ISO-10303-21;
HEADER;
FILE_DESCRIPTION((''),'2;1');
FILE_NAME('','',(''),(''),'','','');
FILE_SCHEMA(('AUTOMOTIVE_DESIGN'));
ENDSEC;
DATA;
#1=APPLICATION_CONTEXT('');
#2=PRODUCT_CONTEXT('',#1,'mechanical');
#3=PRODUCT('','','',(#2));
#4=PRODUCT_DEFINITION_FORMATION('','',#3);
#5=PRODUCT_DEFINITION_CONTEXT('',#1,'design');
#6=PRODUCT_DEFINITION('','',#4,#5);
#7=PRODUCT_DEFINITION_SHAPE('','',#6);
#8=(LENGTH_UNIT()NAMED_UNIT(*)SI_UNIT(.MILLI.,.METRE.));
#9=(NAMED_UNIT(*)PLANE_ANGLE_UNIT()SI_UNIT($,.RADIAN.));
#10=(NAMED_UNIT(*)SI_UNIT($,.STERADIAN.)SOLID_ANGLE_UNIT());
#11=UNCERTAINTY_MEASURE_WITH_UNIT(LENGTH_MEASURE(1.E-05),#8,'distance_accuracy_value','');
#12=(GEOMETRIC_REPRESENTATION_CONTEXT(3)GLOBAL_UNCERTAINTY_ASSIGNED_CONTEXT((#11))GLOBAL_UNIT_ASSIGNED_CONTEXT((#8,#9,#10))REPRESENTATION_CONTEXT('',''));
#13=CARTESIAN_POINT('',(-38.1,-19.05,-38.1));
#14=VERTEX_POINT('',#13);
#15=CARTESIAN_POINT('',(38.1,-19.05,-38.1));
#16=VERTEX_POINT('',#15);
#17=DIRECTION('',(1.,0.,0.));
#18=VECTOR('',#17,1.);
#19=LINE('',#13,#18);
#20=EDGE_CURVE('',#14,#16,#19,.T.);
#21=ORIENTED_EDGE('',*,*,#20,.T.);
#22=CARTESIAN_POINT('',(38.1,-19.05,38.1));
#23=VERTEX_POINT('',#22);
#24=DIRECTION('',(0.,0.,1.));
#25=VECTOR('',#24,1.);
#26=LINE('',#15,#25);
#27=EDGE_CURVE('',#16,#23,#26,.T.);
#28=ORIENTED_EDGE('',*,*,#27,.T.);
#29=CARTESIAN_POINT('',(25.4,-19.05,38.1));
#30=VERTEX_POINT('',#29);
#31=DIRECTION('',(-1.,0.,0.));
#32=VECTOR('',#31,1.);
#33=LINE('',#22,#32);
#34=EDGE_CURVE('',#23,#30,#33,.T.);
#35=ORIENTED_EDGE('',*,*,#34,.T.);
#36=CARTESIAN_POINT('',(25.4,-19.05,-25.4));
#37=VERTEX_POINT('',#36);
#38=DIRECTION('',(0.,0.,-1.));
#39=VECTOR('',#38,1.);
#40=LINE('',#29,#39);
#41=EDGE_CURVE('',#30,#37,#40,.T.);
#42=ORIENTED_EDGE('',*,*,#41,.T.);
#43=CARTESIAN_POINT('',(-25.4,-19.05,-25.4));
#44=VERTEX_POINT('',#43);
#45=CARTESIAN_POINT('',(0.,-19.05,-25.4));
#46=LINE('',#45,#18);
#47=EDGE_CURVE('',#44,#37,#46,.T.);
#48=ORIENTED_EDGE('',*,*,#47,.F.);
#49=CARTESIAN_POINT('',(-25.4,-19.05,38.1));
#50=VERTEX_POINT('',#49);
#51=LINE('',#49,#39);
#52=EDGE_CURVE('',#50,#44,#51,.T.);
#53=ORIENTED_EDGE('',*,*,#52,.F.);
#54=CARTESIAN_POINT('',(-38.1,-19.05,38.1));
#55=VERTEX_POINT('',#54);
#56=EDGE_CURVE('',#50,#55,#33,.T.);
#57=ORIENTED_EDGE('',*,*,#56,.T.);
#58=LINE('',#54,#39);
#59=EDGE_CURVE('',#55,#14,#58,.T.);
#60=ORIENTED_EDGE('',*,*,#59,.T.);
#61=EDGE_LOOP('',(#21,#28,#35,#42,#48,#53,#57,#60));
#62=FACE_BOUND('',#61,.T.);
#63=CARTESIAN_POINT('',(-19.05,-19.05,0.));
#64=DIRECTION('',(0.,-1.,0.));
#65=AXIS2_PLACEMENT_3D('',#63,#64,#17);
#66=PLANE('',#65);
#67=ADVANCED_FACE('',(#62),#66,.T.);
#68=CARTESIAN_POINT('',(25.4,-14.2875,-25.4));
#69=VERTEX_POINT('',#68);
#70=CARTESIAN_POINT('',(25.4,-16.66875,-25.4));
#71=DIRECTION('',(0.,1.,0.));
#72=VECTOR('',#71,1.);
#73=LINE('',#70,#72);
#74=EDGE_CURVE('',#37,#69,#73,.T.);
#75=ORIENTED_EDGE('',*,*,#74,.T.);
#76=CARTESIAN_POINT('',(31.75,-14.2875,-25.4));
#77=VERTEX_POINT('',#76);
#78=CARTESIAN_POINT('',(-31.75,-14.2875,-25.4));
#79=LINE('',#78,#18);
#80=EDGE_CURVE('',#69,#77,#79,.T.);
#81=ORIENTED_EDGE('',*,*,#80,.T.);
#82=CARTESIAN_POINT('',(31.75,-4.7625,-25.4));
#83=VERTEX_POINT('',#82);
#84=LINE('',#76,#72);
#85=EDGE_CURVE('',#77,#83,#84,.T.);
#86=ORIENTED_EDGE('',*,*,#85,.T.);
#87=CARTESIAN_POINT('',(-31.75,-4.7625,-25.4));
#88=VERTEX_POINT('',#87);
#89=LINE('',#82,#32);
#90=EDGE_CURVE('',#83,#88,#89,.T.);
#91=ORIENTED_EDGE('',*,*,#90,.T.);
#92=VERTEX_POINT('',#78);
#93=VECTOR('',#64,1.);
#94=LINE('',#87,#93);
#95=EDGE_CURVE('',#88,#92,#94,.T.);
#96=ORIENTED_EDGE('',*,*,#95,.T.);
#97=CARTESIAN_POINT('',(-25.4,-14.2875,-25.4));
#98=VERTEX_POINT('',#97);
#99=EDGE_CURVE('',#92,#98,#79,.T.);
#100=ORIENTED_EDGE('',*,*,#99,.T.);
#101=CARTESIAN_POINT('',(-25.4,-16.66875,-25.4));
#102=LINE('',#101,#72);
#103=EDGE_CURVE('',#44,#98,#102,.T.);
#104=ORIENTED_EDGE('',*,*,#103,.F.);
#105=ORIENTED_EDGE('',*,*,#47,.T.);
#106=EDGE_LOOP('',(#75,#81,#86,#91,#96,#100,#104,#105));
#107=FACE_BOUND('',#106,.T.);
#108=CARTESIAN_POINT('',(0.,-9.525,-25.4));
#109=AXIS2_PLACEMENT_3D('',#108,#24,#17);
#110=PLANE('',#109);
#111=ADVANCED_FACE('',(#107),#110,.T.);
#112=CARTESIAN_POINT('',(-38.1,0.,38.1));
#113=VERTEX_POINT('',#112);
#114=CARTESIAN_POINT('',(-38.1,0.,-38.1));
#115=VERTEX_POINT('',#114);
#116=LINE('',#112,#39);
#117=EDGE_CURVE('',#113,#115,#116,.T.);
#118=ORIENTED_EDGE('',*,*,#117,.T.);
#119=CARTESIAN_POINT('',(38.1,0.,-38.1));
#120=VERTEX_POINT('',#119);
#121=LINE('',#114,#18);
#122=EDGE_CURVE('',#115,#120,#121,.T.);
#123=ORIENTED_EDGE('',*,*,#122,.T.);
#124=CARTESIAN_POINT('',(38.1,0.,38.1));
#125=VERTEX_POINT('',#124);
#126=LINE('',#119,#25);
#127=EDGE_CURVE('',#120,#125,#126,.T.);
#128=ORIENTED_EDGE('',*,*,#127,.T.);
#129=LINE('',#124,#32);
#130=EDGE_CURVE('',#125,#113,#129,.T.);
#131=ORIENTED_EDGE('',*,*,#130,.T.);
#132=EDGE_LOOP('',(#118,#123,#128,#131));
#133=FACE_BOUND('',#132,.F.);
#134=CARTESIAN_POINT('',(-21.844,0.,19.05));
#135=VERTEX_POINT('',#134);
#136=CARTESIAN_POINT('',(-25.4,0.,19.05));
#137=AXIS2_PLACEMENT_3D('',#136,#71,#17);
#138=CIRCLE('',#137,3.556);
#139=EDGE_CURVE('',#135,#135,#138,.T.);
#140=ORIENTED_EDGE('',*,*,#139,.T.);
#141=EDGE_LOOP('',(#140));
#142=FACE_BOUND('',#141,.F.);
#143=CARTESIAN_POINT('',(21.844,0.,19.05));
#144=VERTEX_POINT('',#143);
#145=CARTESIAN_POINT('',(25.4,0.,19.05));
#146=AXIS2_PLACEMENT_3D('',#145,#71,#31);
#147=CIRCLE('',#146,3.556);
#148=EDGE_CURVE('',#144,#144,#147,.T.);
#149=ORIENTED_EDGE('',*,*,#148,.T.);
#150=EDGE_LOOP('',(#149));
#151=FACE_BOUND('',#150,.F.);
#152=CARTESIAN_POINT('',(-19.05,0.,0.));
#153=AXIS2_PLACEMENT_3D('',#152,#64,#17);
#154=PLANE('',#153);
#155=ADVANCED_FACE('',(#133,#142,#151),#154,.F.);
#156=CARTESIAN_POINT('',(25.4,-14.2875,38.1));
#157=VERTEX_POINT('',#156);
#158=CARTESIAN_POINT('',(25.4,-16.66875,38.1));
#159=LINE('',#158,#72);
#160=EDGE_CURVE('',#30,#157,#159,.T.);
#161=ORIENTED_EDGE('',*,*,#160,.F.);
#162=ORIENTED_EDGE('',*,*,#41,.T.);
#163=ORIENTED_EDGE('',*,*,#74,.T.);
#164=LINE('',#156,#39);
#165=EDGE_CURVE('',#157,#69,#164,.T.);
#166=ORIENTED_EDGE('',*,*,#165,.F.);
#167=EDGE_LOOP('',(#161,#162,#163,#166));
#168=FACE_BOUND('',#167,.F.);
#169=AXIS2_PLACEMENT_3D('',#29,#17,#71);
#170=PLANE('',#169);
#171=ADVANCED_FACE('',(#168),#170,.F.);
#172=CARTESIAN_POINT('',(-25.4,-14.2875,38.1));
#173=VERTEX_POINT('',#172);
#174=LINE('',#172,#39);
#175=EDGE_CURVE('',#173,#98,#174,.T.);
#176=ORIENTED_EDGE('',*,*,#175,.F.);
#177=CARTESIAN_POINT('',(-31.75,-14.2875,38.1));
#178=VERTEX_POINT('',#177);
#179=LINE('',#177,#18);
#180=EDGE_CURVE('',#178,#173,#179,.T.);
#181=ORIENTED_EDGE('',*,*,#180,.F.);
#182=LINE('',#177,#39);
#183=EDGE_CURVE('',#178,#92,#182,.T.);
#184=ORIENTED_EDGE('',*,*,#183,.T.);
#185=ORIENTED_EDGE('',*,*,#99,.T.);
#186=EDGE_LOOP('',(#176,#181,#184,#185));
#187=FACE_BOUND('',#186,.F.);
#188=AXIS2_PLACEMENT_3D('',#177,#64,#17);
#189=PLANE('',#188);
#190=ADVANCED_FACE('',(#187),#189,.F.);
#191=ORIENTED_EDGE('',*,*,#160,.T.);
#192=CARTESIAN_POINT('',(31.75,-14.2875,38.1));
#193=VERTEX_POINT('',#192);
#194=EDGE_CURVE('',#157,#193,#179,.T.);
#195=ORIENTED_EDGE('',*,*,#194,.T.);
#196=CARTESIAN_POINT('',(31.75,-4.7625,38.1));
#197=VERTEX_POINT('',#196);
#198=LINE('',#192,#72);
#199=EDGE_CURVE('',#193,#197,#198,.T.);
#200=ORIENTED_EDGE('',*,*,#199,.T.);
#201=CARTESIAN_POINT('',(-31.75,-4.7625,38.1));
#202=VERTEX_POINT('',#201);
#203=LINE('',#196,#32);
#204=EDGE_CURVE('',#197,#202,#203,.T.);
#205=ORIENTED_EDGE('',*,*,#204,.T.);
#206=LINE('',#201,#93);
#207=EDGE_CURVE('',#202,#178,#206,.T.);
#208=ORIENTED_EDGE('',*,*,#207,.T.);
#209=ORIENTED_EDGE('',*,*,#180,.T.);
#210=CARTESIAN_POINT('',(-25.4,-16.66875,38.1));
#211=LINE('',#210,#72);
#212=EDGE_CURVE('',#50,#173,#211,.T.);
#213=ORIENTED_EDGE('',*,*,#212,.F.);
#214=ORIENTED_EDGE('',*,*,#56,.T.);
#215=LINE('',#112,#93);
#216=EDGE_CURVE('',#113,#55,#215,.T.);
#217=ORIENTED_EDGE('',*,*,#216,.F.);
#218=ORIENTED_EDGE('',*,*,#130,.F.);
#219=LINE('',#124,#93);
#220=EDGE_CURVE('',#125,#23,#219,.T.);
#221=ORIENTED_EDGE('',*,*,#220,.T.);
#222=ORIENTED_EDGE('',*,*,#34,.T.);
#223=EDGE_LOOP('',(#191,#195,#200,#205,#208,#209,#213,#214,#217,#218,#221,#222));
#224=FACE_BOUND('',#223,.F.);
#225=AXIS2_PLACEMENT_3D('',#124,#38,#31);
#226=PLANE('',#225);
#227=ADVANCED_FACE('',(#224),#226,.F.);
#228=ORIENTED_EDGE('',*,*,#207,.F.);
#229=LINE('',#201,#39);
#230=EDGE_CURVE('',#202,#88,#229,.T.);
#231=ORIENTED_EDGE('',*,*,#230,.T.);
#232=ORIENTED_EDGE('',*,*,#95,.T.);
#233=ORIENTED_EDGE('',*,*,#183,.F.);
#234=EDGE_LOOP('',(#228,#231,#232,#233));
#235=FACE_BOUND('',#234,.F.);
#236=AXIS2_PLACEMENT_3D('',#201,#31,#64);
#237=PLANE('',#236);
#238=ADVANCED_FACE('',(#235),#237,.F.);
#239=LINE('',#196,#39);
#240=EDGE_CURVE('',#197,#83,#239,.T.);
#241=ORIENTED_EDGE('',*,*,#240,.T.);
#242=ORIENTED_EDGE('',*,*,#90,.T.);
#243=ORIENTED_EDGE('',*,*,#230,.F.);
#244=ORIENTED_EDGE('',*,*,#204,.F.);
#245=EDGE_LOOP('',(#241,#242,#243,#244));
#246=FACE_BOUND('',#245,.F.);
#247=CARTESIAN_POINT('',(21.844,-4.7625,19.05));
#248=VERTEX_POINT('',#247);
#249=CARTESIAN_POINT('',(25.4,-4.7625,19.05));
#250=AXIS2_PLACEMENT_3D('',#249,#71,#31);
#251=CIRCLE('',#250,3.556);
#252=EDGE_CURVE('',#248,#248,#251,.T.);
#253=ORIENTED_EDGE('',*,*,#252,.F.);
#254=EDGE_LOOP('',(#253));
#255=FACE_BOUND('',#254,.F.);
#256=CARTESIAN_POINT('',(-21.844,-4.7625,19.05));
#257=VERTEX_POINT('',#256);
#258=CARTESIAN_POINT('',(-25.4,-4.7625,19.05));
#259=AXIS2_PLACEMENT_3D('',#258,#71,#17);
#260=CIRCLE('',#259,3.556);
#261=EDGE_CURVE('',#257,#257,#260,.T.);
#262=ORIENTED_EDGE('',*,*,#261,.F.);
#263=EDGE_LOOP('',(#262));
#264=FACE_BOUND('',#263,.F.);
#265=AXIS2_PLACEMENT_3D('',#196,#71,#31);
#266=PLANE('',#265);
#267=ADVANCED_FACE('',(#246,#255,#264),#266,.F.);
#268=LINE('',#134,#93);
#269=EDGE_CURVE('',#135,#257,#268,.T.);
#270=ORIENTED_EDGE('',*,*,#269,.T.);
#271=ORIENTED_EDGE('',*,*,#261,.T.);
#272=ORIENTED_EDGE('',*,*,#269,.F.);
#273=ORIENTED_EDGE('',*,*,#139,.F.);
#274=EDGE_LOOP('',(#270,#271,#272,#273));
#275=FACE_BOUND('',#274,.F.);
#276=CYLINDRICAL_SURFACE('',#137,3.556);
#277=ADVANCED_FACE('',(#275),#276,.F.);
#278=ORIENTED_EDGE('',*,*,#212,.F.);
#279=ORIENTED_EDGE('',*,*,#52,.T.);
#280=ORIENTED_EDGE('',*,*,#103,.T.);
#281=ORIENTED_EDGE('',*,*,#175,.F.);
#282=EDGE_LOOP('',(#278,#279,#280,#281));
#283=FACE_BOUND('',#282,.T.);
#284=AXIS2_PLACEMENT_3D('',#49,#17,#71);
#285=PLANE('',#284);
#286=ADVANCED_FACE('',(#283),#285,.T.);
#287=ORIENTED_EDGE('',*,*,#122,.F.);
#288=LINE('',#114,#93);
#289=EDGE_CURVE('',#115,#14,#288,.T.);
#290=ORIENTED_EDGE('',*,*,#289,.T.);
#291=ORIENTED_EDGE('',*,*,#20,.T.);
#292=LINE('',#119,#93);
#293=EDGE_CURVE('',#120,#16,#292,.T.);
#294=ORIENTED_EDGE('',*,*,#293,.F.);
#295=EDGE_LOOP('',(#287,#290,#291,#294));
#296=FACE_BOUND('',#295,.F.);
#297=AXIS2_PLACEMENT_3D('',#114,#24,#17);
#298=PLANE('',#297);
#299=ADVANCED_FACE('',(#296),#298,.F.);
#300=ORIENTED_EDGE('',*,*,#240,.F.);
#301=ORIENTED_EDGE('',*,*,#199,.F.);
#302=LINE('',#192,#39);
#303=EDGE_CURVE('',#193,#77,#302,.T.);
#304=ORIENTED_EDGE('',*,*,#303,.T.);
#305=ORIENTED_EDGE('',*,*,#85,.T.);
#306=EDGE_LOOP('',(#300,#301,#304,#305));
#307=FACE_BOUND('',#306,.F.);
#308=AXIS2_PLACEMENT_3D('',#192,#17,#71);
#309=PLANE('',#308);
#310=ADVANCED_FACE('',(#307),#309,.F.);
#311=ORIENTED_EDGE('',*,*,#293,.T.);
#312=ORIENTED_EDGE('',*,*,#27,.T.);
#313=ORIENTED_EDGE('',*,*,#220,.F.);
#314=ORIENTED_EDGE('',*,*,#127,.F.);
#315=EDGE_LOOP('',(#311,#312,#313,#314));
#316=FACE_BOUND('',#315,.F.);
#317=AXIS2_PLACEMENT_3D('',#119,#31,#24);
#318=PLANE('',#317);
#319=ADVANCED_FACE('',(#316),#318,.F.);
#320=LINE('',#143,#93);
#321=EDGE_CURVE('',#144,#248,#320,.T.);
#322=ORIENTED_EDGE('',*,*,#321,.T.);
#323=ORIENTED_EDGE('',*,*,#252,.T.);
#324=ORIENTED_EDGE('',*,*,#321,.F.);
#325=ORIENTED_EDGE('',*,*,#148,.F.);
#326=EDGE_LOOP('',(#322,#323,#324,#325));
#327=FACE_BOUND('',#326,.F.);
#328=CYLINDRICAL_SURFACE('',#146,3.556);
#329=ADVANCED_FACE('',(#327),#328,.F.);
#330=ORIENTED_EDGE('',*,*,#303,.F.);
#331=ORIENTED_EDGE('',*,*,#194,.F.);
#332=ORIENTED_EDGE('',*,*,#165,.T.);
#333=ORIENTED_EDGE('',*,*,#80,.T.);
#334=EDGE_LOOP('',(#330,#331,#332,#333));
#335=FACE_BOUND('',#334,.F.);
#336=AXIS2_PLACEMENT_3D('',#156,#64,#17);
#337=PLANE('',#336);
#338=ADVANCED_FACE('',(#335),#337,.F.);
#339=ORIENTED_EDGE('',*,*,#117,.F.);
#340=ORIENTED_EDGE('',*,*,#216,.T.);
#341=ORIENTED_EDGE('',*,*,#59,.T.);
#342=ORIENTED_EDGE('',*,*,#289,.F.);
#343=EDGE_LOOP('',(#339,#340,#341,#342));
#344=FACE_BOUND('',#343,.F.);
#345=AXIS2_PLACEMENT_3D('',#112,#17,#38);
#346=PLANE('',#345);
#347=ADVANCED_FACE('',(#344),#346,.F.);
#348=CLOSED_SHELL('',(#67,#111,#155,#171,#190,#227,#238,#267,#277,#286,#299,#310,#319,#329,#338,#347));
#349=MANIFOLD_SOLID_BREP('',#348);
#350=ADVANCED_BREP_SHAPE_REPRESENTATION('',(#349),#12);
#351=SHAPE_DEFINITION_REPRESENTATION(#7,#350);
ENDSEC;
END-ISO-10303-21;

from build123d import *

# Parameters (mm, degrees)
F1_DEPTH = 19.05
F2_W     = 6.35
F2_H     = 4.7625
F2_W_2   = 50.8
F3_DEPTH = 63.5
F5_DEPTH = 10.16


with BuildPart() as f1:
    # F0 (on Front) → F1 (new body)
    with BuildSketch(Plane.XZ):
        Polygon((0, -38.1), (0, 0), (0, 38.1), (-38.1, 38.1), (-38.1, 0), (-38.1, -38.1), align=None)
        Polygon((0, 38.1), (0, 0), (0, -38.1), (38.1, -38.1), (38.1, 0), (38.1, 38.1), align=None)
    extrude(amount=F1_DEPTH)

    # F2 (on face) → F3 (cut)
    with BuildSketch(Plane.XY.offset(38.1)):
        Polygon((-25.4, -14.2875), (25.4, -14.2875), (25.4, -9.525), (25.4, -4.7625), (-25.4, -4.7625), (-25.4, -9.525), align=None)
        with Locations((28.575, -11.90625)):
            Rectangle(F2_W, F2_H)
        with Locations((28.575, -7.14375)):
            Rectangle(F2_W, F2_H)
        with Locations((-28.575, -11.90625)):
            Rectangle(F2_W, F2_H)
        with Locations((-28.575, -7.14375)):
            Rectangle(F2_W, F2_H)
        with Locations((0, -16.66875)):
            Rectangle(F2_W_2, F2_H)
    extrude(amount=-F3_DEPTH, mode=Mode.SUBTRACT)

    # F4 (on face) → F5 (cut)
    with BuildSketch(Plane(origin=(0, 0, 0), x_dir=(-1, 0, 0), z_dir=(0, 1, 0))):
        with BuildLine():
            ThreePointArc((-28.956, 19.05), (-25.4, 15.494), (-21.844, 19.05))
            Line((-21.844, 19.05), (-25.4, 19.05))
            Line((-25.4, 19.05), (-28.956, 19.05))
        make_face()
        with BuildLine():
            Line((-25.4, 19.05), (-21.844, 19.05))
            ThreePointArc((-21.844, 19.05), (-25.4, 22.606), (-28.956, 19.05))
            Line((-28.956, 19.05), (-25.4, 19.05))
        make_face()
        with BuildLine():
            ThreePointArc((28.956, 19.05), (25.4, 22.606), (21.844, 19.05))
            Line((21.844, 19.05), (25.4, 19.05))
            Line((25.4, 19.05), (28.956, 19.05))
        make_face()
        with BuildLine():
            Line((25.4, 19.05), (21.844, 19.05))
            ThreePointArc((21.844, 19.05), (25.4, 15.494), (28.956, 19.05))
            Line((28.956, 19.05), (25.4, 19.05))
        make_face()
    extrude(amount=-F5_DEPTH, mode=Mode.SUBTRACT)


solid = f1.part
